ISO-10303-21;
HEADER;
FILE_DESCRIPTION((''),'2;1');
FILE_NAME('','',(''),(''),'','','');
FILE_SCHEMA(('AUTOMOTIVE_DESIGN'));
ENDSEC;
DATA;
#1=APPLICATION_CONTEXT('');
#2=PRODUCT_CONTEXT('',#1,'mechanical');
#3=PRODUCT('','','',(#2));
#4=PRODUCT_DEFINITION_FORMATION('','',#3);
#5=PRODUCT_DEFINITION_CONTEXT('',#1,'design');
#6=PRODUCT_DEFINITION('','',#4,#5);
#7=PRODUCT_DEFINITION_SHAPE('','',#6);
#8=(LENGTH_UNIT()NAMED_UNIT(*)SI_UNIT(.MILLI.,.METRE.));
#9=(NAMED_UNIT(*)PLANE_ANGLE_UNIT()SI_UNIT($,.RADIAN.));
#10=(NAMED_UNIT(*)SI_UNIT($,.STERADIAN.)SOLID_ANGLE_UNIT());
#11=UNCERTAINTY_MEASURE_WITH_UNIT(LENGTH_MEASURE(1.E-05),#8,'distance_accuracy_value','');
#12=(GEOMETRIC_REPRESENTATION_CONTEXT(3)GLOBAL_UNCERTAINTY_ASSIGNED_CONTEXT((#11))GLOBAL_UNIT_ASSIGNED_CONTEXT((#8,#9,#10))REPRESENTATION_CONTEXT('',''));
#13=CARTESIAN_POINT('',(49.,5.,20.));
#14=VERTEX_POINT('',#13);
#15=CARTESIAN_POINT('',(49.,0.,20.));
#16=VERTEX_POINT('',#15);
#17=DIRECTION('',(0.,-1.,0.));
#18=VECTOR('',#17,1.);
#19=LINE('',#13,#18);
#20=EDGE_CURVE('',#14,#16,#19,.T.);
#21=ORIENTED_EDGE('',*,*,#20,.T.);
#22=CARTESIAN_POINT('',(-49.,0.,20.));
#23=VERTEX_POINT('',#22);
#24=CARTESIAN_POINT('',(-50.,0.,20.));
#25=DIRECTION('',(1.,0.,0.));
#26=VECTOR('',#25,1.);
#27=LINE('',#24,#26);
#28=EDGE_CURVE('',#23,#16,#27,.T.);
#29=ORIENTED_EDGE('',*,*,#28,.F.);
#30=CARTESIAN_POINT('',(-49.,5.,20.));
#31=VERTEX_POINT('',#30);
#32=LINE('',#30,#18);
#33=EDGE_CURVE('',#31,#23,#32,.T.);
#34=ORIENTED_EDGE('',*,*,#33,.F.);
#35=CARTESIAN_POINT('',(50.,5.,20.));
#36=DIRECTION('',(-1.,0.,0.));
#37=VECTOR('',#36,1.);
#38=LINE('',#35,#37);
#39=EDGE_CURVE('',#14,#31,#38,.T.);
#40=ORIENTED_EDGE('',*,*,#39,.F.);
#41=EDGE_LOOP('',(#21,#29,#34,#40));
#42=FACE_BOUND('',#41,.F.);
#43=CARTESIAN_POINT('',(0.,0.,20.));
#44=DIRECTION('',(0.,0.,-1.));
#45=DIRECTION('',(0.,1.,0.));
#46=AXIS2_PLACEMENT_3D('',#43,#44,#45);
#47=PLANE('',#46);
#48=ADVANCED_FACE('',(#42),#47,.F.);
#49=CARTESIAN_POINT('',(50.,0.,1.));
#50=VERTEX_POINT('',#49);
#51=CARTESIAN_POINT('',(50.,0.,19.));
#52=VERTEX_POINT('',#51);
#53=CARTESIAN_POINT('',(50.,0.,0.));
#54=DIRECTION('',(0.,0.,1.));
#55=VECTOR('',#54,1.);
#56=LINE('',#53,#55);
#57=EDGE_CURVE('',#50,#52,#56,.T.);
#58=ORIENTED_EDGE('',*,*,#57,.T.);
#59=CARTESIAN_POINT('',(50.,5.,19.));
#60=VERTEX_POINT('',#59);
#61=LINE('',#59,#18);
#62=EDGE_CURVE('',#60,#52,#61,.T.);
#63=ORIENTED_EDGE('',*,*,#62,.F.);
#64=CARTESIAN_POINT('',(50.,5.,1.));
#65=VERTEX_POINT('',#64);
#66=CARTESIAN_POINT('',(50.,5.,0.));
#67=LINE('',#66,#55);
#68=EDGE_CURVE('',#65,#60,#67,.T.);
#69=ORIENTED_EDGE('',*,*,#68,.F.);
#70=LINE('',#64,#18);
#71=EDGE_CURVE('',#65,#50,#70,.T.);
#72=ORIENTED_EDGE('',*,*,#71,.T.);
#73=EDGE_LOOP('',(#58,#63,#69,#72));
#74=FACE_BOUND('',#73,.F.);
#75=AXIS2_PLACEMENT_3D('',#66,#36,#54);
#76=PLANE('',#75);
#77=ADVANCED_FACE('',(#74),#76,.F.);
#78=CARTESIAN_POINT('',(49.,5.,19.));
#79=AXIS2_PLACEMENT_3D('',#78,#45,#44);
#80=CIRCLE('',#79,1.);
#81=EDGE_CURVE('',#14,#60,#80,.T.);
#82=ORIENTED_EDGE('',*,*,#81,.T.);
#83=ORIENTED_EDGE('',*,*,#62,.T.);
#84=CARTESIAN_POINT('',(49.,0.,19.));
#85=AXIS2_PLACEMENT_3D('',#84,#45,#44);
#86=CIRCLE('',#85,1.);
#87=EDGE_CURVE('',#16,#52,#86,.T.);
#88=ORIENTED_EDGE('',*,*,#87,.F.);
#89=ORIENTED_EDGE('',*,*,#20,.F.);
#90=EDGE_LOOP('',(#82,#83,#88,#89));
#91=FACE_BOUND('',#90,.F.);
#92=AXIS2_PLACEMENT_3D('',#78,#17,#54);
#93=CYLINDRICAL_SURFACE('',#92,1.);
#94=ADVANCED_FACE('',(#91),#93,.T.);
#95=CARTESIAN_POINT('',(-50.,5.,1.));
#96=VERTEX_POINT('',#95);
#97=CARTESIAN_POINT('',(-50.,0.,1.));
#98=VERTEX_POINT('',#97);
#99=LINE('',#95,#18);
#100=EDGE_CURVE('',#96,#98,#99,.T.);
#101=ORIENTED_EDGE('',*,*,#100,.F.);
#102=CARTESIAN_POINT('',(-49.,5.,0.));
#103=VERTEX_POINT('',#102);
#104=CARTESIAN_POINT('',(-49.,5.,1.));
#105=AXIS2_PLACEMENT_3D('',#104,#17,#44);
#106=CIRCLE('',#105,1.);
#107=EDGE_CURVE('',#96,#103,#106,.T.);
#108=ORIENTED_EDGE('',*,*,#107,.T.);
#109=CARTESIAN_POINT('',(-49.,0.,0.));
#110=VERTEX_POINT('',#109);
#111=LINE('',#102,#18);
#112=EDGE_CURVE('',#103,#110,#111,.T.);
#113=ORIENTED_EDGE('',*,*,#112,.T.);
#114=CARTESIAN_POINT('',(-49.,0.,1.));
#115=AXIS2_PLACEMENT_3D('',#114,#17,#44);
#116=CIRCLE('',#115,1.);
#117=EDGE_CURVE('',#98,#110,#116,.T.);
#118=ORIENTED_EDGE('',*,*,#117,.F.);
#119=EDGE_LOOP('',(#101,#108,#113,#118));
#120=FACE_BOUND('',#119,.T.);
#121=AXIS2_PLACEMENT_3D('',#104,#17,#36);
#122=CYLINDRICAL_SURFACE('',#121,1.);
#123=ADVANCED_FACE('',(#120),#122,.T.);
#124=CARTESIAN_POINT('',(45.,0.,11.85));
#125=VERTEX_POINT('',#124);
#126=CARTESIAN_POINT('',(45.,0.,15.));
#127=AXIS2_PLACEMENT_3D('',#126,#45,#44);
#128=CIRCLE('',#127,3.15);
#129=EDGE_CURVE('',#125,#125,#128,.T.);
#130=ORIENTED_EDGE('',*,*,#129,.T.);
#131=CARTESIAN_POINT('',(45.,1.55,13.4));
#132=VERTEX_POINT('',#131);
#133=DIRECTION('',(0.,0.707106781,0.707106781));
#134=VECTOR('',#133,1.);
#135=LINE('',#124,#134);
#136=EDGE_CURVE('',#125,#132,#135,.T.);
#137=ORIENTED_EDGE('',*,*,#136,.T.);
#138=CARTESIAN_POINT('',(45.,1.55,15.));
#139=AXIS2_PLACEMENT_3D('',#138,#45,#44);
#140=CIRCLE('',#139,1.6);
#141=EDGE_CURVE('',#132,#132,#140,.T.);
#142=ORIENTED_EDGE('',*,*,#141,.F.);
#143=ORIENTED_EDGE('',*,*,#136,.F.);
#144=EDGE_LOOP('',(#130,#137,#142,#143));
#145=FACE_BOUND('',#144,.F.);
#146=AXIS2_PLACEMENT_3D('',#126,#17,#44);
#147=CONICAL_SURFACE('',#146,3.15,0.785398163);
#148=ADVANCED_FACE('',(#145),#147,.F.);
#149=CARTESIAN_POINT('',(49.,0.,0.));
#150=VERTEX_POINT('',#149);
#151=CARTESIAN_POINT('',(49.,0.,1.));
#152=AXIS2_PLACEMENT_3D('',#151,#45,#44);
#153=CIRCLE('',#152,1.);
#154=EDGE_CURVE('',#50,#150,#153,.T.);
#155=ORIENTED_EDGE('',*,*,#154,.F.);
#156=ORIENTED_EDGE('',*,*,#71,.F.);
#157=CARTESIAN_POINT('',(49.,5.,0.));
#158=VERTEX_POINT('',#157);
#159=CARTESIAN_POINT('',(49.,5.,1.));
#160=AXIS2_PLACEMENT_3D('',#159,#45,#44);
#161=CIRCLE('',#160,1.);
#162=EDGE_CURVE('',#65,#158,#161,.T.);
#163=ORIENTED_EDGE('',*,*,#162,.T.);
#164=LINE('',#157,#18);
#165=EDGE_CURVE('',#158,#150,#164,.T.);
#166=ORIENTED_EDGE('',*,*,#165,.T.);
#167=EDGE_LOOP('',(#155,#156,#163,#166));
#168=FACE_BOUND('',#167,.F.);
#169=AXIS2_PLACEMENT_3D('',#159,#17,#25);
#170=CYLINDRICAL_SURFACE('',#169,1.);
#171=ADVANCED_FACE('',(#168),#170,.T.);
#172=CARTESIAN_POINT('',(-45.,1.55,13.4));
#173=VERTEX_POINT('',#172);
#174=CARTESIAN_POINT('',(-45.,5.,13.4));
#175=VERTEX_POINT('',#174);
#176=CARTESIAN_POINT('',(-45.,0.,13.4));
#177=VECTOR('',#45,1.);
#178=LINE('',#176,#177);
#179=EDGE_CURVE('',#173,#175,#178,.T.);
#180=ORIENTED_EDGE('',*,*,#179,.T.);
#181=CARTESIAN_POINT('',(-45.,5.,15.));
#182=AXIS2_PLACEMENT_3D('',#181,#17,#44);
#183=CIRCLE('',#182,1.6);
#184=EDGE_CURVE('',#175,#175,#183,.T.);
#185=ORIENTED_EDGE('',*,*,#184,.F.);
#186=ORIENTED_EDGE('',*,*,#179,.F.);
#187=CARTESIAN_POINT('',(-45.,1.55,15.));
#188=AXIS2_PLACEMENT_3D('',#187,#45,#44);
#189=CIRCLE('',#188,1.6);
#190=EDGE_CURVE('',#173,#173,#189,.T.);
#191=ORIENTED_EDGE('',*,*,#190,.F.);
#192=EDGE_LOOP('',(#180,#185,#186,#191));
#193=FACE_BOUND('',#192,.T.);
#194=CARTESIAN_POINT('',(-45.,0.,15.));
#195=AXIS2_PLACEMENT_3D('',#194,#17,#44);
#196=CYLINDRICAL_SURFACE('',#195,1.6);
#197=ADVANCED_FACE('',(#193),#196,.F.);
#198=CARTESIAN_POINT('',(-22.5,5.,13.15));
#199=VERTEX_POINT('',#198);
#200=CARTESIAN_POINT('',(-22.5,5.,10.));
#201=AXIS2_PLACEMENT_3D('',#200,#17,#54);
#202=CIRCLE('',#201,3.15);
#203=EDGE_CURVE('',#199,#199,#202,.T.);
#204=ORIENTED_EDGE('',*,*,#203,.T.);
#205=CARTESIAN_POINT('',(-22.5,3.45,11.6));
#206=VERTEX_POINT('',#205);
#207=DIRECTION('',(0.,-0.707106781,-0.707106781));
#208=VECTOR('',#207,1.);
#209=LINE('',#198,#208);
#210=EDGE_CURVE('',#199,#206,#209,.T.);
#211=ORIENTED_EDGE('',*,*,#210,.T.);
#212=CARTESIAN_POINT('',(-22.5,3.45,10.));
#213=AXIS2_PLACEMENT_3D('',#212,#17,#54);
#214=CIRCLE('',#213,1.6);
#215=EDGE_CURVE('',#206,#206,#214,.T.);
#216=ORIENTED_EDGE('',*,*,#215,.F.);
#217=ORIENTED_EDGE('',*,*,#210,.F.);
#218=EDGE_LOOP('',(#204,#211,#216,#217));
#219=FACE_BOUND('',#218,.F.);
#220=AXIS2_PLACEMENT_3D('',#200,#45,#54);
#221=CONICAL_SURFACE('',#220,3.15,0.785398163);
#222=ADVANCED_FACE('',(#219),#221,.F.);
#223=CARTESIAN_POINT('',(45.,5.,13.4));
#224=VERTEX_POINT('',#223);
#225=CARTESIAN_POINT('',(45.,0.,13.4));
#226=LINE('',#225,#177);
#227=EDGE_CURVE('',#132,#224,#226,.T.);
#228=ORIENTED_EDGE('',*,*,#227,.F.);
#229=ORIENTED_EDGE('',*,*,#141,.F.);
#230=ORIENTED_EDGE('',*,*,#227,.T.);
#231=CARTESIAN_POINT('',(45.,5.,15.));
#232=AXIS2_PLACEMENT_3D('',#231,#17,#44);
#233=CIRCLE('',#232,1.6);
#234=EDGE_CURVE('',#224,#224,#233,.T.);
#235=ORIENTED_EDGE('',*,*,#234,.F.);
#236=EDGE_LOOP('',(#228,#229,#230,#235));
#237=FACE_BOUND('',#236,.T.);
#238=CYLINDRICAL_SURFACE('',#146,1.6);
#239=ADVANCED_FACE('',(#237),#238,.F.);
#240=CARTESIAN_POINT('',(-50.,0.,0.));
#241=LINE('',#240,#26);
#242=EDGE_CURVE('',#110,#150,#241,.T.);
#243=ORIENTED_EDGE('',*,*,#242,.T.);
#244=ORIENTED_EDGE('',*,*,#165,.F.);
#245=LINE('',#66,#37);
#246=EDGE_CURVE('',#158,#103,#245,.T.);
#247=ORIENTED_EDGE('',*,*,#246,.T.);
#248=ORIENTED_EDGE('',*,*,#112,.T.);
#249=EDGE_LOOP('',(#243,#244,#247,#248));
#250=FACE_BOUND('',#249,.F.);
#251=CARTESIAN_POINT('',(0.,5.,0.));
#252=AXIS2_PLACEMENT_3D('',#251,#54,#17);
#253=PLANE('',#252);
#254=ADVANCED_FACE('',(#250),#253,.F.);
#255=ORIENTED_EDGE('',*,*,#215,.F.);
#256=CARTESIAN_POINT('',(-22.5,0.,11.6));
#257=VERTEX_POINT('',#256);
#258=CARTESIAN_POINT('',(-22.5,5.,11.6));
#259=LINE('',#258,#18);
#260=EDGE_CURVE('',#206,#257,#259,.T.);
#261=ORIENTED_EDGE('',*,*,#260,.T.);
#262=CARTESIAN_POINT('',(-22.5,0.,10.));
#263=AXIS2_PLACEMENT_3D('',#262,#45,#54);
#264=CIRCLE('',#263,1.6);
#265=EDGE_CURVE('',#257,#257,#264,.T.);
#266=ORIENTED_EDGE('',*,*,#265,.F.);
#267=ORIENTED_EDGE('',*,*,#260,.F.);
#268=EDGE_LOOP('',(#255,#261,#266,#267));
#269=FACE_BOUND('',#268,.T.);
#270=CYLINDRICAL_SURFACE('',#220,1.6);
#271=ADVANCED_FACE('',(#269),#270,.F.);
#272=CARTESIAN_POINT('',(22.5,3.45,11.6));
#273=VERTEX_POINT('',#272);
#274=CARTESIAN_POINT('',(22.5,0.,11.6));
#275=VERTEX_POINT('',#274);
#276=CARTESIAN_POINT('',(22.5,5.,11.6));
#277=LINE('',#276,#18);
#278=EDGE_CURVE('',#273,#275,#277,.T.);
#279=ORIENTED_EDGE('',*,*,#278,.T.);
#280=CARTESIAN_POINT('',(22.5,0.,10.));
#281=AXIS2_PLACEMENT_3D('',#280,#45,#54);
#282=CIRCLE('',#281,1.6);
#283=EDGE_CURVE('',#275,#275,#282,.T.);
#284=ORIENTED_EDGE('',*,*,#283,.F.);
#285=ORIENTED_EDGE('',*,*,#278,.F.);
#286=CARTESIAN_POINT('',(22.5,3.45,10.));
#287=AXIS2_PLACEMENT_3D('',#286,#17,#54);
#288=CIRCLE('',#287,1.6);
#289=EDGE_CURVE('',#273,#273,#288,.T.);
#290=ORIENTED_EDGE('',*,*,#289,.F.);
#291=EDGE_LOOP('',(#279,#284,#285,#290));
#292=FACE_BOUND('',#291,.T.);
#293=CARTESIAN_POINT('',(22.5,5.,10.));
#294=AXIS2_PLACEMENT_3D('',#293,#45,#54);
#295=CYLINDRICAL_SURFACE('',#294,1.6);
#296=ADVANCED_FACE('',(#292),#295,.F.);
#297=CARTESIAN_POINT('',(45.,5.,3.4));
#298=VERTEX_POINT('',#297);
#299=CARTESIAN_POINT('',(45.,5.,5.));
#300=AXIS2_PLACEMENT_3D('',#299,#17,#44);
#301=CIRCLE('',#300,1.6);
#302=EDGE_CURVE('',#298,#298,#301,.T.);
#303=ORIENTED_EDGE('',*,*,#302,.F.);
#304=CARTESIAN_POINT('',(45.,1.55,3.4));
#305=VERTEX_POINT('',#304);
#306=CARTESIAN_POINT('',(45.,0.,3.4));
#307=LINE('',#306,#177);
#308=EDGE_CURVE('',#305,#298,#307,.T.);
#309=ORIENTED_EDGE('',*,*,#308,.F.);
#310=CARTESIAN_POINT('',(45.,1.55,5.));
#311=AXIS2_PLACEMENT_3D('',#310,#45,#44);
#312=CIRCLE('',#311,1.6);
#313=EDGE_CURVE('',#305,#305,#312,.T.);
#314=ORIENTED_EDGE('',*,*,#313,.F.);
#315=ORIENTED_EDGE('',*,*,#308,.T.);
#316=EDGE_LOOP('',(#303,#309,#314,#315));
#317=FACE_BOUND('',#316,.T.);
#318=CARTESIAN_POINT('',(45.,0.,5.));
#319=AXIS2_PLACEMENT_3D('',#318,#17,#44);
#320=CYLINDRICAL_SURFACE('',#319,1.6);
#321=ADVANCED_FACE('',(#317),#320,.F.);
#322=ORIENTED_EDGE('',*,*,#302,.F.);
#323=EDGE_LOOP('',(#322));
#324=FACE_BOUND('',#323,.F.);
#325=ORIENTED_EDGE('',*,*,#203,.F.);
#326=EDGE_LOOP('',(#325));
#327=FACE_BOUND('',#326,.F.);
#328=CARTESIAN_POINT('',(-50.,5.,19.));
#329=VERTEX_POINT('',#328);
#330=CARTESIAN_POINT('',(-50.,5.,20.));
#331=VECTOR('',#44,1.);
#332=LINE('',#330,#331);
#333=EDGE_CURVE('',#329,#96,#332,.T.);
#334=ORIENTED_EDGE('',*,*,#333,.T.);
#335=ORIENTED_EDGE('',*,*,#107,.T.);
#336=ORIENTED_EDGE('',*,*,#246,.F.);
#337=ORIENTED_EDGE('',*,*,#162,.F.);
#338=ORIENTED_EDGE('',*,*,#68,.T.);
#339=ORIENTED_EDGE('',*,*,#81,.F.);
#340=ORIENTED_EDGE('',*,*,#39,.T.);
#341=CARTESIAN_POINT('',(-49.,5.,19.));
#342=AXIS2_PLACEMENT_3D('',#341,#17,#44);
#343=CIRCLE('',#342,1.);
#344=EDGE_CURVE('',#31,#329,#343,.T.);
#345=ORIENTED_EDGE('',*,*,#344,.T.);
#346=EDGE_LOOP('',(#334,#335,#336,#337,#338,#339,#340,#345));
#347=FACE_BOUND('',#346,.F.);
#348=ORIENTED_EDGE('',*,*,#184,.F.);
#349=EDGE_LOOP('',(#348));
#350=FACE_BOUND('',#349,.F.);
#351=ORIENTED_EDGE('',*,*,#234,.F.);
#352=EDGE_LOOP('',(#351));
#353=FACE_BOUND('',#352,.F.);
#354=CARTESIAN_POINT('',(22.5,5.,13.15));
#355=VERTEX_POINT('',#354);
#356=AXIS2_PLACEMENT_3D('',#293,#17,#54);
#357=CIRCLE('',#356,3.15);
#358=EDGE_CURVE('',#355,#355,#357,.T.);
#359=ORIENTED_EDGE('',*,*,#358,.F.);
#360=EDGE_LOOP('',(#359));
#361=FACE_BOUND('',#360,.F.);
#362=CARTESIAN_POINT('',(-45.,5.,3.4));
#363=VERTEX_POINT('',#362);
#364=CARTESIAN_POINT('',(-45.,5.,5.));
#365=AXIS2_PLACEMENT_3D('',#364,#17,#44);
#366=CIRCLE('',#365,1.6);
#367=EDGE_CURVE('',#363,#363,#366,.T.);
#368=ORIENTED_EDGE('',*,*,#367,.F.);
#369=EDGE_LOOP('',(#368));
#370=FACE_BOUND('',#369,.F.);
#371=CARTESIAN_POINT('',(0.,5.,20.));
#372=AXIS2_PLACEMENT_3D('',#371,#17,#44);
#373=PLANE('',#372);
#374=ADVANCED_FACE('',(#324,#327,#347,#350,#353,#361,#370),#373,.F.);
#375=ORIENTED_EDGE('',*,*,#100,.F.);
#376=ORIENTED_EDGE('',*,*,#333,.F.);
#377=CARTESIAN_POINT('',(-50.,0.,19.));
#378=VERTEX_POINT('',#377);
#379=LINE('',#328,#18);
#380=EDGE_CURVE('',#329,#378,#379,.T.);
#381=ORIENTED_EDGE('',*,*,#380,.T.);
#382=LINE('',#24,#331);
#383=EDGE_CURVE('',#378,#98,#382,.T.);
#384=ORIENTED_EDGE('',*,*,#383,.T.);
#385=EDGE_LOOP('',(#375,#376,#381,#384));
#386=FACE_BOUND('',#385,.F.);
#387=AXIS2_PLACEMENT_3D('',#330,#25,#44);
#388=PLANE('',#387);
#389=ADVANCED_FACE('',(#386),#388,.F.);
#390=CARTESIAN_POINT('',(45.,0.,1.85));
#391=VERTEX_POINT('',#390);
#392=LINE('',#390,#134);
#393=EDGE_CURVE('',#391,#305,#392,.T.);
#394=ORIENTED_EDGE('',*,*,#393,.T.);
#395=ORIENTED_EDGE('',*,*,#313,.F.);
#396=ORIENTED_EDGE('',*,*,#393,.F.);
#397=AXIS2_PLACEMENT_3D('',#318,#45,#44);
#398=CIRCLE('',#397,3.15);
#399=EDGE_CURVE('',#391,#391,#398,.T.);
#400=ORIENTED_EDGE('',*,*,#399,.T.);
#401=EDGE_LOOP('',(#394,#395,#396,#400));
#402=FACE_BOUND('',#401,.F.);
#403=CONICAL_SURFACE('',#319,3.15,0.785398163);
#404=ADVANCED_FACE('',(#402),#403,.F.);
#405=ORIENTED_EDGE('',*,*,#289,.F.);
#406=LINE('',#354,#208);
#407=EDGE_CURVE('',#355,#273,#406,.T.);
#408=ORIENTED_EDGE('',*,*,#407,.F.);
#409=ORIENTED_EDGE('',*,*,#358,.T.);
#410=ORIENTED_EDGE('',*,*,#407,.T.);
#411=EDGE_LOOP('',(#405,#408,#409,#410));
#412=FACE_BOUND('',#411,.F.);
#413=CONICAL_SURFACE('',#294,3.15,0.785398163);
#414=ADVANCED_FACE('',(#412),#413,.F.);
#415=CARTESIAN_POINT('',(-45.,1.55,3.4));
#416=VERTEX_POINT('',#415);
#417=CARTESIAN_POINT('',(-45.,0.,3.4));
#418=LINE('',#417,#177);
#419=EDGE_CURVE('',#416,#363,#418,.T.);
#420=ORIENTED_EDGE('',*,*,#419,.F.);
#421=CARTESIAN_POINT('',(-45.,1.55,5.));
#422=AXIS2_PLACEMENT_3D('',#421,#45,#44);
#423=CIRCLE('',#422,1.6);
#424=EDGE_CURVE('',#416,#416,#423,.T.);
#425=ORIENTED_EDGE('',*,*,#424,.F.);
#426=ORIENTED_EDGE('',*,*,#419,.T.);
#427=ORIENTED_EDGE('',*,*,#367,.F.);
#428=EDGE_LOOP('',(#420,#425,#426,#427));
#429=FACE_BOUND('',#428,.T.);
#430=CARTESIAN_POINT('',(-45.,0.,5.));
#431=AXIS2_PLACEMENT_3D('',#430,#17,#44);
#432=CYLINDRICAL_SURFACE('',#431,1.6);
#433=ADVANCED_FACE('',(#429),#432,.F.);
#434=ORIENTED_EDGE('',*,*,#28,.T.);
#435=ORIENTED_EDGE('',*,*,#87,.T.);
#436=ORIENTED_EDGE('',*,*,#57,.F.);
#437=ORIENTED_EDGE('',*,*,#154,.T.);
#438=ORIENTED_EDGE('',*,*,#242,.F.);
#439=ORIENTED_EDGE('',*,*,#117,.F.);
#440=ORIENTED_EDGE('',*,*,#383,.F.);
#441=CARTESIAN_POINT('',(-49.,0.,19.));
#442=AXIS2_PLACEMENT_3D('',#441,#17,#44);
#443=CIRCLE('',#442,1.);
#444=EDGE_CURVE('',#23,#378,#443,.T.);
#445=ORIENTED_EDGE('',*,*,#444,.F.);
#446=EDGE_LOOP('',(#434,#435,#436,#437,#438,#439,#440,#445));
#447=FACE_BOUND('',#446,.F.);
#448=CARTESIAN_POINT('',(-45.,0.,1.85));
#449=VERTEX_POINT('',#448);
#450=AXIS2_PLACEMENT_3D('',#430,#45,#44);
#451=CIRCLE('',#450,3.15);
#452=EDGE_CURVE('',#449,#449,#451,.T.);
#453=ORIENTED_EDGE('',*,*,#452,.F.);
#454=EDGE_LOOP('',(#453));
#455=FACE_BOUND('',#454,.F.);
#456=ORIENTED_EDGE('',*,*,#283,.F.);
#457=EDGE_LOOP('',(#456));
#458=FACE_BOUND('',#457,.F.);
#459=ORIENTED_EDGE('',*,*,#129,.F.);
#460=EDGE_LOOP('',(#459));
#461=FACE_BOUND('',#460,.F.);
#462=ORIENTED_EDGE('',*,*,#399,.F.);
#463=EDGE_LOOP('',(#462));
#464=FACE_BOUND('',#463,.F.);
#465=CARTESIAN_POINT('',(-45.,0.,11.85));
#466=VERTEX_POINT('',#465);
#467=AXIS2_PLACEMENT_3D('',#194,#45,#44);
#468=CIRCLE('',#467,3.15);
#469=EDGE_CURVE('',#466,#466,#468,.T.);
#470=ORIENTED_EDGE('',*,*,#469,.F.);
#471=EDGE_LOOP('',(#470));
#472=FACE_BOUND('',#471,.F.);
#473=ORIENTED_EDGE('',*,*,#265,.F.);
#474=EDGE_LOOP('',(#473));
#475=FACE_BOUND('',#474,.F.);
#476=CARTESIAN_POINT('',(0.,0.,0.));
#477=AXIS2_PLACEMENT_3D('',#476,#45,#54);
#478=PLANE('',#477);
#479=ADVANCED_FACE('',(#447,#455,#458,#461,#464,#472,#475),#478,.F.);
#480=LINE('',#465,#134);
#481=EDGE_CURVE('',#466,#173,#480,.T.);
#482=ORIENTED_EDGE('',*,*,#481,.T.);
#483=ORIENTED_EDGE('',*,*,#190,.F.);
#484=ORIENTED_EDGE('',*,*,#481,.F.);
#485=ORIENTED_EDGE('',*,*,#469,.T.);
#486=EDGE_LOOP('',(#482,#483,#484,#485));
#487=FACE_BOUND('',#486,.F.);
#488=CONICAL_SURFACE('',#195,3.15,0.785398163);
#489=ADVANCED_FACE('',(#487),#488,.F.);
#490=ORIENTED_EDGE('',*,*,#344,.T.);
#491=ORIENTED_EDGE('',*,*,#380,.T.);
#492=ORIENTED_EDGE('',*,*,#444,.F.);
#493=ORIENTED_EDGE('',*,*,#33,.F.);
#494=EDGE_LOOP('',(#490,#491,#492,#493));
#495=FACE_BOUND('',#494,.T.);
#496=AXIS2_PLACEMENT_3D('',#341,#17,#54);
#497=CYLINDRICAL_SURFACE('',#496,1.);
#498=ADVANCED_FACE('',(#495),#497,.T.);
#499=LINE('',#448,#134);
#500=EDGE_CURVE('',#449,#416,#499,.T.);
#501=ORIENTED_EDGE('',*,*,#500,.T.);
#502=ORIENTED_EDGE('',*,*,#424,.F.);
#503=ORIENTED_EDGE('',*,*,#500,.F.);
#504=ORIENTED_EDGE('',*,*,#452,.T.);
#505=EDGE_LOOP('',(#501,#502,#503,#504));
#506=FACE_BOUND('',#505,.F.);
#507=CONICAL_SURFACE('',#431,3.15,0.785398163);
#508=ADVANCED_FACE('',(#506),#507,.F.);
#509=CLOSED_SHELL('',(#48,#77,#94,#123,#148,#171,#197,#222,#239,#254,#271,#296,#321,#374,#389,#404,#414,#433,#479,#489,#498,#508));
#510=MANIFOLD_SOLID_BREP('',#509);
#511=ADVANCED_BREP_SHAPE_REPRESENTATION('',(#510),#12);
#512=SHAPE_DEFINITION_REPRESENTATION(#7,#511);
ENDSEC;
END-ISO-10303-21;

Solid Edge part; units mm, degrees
sketch "Sketch1" plane through (0, 0, 0) normal (-1, 0, 0) x (0, -1, 0)
  line L0 (0, 20) -> (-5, 20)
  line L1 (-5, 20) -> (-5, 0)
  line L2 (-5, 0) -> (0, 0)
  line L3 (0, 0) -> (0, 20)
extrude "Protrusion1" add sketch "Sketch1" along normal mid plane 90
sketch "Sketch2" plane through (0, 0, 7.5) normal (0, -1, 0) x (1, 0, 0)
  line L0 (-45, 12.5) -> (-50, 12.5)
  line L1 (-50, 12.5) -> (-50, 7.5)
  line L2 (-50, 7.5) -> (-45, 7.5)
  line L3 (-45, 7.5) -> (-45, 12.5)
  line L4 (-45, -2.5) -> (-50, -2.5)
  line L5 (-50, -2.5) -> (-50, -7.5)
  line L6 (-50, -7.5) -> (-45, -7.5)
  line L7 (-45, -7.5) -> (-45, -2.5)
  line L8 (45, 7.5) -> (50, 7.5)
  line L9 (50, 7.5) -> (50, 12.5)
  line L10 (50, 12.5) -> (45, 12.5)
  line L11 (45, 12.5) -> (45, 7.5)
  line L12 (45, -7.5) -> (50, -7.5)
  line L13 (50, -7.5) -> (50, -2.5)
  line L14 (50, -2.5) -> (45, -2.5)
  line L15 (45, -2.5) -> (45, -7.5)
extrude "ExtrudedProtrusion_2" add sketch "Sketch2" against normal blind 5
hole "Hole_1" at (22.5, 0, 10) direction (0, 1, 0) diameter 3 depth 50.8
hole "Hole1" at (-22.5, 0, 10) direction (0, 1, 0) diameter 3 depth 50.8
sketch "Sketch3" plane through (0, 5, 10) normal (0, 1, 0) x (-1, 0, 0)
  line L0 (-50, 10) -> (-45, 10)
  line L1 (-45, 10) -> (-45, -10)
  line L2 (-45, -10) -> (-50, -10)
  line L3 (-50, -10) -> (-50, 10)
  line L4 (50, 10) -> (45, 10)
  line L5 (45, 10) -> (45, -10)
  line L6 (45, -10) -> (50, -10)
  line L7 (50, -10) -> (50, 10)
extrude "ExtrudedCutout_1" cut sketch "Sketch3" against normal blind 5
sketch "Sketch4" plane through (0, 5, 10) normal (0, 1, 0) x (-1, 0, 0)
  line L0 (-50, 10) -> (-45, 10)
  line L1 (-45, 10) -> (-45, -10)
  line L2 (-45, -10) -> (-50, -10)
  line L3 (-50, -10) -> (-50, 10)
  line L4 (45, 10) -> (50, 10)
  line L5 (50, 10) -> (50, -10)
  line L6 (50, -10) -> (45, -10)
  line L7 (45, -10) -> (45, 10)
extrude "ExtrudedProtrusion_3" add sketch "Sketch4" against normal blind 5
hole "Hole_7" at (-45, 0, 15) direction (0, 1, 0) diameter 3.2 end up to next countersink diameter 6.3 countersink angle 90
hole "Hole2" at (-45, 0, 5) direction (0, 1, 0) diameter 3.2 end up to next countersink diameter 6.3 countersink angle 90
hole "Hole3" at (45, 0, 5) direction (0, 1, 0) diameter 3.2 end up to next countersink diameter 6.3 countersink angle 90
hole "Hole4" at (45, 0, 15) direction (0, 1, 0) diameter 3.2 end up to next countersink diameter 6.3 countersink angle 90
hole "Hole_11" at (22.5, 5, 10) direction (0, -1, 0) diameter 3.2 end up to next countersink diameter 6.3 countersink angle 90
hole "Hole5" at (-22.5, 5, 10) direction (0, -1, 0) diameter 3.2 end up to next countersink diameter 6.3 countersink angle 90
fillet "Round_1" radius 1 4 edges at (50, 2.5, 20) (50, 2.5, 0) (-50, 2.5, 20) (-50, 2.5, 0)
properties material "Polycarbonate"
